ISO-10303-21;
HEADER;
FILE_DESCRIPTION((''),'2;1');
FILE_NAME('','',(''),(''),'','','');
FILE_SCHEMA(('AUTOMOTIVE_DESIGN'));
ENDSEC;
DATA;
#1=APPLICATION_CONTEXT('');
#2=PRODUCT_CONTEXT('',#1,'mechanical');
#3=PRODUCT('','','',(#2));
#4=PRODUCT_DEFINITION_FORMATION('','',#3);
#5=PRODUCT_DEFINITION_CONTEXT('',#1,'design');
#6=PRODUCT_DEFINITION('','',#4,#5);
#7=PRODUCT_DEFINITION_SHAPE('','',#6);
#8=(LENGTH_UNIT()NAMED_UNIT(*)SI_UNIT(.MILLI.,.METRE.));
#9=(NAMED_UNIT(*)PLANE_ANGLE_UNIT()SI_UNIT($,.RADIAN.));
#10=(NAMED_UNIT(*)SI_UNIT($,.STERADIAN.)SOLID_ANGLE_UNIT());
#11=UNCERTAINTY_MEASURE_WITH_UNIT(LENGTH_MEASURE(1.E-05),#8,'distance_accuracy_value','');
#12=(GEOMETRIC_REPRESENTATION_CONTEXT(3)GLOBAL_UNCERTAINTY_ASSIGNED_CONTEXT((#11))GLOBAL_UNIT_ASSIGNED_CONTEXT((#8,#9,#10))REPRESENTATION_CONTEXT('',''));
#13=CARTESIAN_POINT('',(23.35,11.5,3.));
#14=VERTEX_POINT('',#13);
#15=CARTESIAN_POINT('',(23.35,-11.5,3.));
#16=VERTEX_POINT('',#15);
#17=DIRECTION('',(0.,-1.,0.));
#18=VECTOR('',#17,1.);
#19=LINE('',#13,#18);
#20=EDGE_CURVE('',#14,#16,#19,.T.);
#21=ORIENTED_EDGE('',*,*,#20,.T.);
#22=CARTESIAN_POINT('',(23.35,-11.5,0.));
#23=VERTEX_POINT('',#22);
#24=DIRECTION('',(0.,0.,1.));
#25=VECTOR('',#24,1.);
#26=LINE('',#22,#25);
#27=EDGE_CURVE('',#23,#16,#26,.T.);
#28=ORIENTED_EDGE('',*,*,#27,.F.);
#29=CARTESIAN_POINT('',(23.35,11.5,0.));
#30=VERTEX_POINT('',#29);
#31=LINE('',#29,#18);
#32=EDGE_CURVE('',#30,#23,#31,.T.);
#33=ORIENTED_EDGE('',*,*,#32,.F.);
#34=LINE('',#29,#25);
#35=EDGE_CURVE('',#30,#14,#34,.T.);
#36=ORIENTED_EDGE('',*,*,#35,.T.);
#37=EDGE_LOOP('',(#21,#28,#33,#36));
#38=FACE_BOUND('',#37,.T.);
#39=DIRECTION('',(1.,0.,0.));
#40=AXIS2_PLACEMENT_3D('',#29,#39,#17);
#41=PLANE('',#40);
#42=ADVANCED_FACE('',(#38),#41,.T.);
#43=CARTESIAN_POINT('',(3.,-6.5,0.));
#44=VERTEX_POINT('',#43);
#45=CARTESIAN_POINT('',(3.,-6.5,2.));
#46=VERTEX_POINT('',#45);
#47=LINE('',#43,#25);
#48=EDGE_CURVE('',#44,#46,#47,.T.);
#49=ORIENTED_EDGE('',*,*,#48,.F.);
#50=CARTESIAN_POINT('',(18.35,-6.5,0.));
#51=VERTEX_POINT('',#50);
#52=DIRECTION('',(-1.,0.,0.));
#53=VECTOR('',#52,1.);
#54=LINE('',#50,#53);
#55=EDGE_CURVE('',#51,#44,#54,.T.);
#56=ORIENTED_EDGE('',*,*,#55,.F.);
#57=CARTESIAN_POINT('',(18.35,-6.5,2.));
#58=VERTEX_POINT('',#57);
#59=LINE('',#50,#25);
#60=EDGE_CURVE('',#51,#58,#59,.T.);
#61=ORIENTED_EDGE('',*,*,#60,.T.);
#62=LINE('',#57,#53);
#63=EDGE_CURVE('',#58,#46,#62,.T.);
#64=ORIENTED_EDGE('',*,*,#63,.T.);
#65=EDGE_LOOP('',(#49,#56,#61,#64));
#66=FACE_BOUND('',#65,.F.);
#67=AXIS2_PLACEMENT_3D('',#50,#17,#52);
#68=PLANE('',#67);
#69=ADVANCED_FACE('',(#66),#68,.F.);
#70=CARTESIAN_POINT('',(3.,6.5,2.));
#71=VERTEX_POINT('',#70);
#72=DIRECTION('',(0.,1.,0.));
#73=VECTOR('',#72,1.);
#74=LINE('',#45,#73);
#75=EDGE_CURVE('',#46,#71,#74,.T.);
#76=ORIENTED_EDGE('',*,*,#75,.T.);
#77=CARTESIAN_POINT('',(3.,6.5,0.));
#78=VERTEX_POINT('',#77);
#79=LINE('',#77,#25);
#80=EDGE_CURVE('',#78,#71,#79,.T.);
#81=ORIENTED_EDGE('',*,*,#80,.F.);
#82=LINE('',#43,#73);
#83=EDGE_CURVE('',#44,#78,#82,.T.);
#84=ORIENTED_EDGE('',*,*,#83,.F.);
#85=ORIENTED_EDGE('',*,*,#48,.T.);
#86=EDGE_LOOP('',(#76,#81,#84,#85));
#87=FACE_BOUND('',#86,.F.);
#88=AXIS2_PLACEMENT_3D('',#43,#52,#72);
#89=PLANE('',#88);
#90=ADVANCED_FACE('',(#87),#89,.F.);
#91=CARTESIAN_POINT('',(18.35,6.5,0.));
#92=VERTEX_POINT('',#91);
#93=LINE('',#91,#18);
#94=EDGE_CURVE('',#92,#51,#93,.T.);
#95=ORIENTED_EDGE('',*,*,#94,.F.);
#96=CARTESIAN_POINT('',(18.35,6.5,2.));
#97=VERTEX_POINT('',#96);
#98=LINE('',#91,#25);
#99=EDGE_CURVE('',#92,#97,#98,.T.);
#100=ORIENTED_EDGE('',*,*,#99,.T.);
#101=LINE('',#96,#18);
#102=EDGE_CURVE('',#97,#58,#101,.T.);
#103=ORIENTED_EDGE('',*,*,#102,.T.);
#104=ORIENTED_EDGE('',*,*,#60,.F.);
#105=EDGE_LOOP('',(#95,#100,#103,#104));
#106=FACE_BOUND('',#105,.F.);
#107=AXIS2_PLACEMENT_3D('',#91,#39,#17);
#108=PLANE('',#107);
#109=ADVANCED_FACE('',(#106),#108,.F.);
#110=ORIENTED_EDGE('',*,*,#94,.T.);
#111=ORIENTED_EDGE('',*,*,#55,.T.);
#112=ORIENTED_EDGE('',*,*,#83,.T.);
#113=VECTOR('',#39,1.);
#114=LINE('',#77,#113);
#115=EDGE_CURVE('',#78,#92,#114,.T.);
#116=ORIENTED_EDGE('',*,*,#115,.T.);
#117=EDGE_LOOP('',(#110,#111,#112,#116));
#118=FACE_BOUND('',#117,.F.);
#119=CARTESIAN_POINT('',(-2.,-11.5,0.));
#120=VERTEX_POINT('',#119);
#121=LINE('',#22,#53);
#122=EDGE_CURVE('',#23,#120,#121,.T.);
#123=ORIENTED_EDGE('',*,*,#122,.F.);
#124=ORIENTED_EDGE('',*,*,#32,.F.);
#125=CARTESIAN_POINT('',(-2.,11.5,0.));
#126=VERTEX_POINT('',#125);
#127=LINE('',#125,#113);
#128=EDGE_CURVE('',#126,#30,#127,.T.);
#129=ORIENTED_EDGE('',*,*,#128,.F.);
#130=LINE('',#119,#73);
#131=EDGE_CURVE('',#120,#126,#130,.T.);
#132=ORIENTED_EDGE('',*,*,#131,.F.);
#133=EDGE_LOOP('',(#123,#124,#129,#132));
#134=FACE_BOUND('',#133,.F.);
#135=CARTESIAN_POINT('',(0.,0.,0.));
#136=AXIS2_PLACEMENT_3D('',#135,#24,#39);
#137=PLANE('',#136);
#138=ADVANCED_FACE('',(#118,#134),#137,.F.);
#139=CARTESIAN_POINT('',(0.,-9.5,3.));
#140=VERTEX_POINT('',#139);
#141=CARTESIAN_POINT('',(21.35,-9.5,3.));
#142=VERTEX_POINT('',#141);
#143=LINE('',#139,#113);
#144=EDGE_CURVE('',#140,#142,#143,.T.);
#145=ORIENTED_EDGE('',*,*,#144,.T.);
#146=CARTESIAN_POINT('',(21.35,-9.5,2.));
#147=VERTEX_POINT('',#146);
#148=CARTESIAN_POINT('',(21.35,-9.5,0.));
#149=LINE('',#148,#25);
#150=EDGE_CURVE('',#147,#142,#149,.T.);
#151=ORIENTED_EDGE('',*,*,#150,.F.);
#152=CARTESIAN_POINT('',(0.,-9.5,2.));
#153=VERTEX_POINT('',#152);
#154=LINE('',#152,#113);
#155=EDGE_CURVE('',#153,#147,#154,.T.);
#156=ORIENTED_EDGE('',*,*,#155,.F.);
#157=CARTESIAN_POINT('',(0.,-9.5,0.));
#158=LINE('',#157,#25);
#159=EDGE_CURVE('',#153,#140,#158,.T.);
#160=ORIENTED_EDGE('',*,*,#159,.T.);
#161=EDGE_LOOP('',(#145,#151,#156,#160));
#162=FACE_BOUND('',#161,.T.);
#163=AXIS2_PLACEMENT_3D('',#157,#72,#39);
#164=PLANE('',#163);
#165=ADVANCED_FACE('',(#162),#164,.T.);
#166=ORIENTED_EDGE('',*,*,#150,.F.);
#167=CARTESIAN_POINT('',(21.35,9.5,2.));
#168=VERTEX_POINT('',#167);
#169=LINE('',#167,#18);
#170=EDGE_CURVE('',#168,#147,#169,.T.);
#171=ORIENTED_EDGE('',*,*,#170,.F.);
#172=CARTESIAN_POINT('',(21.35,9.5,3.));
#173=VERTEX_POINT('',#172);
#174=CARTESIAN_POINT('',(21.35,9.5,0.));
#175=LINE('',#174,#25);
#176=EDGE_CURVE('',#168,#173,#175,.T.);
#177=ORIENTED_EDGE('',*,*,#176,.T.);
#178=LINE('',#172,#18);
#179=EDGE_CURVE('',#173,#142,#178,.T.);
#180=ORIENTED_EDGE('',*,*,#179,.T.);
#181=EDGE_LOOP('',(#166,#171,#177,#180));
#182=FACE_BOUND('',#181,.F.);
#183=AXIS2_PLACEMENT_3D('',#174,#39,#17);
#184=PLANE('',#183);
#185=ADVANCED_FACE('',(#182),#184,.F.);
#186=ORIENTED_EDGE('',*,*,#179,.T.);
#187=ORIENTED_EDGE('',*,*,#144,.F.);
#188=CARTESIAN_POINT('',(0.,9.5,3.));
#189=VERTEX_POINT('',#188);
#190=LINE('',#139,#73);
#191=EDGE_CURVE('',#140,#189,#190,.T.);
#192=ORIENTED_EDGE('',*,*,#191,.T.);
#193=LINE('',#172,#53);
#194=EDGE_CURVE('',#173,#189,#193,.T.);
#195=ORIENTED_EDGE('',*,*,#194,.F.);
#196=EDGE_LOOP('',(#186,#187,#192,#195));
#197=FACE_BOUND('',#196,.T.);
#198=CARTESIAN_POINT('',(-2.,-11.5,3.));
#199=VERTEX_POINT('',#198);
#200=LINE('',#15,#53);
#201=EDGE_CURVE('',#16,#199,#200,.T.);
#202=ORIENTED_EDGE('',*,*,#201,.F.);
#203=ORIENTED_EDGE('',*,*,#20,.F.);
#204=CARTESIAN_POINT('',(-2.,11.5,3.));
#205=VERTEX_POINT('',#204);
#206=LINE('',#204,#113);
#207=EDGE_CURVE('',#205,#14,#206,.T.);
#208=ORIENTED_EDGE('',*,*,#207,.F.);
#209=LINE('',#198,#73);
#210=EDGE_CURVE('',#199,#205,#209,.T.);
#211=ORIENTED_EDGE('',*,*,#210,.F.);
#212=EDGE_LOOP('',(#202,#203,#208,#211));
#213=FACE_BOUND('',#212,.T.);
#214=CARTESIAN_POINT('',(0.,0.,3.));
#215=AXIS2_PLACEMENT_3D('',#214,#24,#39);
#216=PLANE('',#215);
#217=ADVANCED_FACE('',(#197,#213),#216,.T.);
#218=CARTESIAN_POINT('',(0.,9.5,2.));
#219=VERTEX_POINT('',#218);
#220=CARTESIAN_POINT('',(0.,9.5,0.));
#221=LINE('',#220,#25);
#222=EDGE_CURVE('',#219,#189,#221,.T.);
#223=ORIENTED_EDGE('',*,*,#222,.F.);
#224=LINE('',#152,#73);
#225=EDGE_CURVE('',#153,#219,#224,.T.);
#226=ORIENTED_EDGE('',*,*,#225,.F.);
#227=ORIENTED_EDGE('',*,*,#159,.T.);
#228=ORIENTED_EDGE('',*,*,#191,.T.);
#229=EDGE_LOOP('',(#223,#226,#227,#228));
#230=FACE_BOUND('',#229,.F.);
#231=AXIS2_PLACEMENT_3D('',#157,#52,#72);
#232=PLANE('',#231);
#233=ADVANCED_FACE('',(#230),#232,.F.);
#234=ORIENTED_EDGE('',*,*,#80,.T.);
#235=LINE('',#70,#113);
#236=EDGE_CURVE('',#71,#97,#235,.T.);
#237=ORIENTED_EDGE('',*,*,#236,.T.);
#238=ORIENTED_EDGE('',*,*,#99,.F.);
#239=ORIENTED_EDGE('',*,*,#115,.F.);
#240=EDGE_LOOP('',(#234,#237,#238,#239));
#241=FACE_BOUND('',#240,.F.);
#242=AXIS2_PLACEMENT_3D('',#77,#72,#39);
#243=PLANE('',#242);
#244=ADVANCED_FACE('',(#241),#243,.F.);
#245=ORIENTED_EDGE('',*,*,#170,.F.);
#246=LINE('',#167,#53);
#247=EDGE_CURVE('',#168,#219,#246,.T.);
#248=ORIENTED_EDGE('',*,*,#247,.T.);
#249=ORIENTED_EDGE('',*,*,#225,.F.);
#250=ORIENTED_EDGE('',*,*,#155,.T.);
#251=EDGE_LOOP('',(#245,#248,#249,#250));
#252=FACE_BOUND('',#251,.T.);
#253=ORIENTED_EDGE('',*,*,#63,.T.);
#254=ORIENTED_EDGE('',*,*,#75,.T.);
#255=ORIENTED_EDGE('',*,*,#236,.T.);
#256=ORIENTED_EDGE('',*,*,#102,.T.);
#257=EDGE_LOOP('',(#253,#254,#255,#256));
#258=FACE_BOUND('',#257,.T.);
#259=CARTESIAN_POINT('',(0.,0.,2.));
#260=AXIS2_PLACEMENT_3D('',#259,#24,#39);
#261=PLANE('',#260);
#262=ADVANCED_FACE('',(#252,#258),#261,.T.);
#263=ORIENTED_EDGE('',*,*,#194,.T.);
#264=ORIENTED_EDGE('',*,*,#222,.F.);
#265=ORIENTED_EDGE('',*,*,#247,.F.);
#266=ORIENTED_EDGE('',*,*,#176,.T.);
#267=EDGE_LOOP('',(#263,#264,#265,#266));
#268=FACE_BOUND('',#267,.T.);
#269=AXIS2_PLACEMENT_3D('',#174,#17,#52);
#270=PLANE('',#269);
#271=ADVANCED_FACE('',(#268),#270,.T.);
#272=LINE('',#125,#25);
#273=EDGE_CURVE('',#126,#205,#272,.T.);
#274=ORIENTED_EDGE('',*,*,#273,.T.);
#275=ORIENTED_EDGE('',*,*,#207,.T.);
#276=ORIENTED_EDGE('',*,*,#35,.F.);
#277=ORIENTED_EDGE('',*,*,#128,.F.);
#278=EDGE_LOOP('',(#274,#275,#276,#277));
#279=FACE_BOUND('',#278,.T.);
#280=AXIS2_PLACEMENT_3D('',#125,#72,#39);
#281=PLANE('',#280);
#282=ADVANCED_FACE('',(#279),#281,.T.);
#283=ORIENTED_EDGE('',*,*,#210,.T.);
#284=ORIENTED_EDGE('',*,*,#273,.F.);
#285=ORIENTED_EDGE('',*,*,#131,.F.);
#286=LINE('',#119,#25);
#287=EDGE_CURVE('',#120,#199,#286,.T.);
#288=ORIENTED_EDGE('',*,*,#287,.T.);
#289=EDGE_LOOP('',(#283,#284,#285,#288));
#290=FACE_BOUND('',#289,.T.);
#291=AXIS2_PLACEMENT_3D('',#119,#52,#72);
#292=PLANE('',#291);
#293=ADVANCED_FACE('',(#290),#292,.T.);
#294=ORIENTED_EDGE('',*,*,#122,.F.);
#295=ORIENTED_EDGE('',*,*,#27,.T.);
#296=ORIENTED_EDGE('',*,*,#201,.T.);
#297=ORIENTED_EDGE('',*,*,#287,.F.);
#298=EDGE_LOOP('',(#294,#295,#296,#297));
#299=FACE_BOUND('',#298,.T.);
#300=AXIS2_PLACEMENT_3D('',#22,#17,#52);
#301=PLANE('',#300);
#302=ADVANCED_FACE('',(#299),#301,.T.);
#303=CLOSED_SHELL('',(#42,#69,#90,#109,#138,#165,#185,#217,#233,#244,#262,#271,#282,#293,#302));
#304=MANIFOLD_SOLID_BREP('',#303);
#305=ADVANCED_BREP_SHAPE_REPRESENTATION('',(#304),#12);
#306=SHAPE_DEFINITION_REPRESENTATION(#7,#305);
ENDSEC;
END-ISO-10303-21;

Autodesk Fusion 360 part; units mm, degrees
sketch "BasePlate" plane through (0, 0, 0) normal (0, 0, 1) x (1, 0, 0)
  line L0 (21.35, 9.5) -> (0, 9.5)
  line L1 (21.35, 9.5) -> (21.35, -9.5)
  line L2 (0, -9.5) -> (0, 9.5)
  line L3 (0, -9.5) -> (21.35, -9.5)
  line L4 (-2, 11.5) -> (23.35, 11.5)
  line L5 (23.35, 11.5) -> (23.35, -11.5)
  line L6 (23.35, -11.5) -> (-2, -11.5)
  line L7 (-2, -11.5) -> (-2, 11.5)
  line L8 (3, 6.5) -> (18.35, 6.5)
  line L9 (18.35, 6.5) -> (18.35, -6.5)
  line L10 (18.35, -6.5) -> (3, -6.5)
  line L11 (3, -6.5) -> (3, 6.5)
  dimension "d4" = 21.35
  dimension "d13" = 19
extrude "Extrude1" add sketch "BasePlate" along normal blind 2 contours L0 L1 L2 L3
extrude "Extrude2" add sketch "BasePlate" along normal blind 3 contours L4 L5 L6 L7
